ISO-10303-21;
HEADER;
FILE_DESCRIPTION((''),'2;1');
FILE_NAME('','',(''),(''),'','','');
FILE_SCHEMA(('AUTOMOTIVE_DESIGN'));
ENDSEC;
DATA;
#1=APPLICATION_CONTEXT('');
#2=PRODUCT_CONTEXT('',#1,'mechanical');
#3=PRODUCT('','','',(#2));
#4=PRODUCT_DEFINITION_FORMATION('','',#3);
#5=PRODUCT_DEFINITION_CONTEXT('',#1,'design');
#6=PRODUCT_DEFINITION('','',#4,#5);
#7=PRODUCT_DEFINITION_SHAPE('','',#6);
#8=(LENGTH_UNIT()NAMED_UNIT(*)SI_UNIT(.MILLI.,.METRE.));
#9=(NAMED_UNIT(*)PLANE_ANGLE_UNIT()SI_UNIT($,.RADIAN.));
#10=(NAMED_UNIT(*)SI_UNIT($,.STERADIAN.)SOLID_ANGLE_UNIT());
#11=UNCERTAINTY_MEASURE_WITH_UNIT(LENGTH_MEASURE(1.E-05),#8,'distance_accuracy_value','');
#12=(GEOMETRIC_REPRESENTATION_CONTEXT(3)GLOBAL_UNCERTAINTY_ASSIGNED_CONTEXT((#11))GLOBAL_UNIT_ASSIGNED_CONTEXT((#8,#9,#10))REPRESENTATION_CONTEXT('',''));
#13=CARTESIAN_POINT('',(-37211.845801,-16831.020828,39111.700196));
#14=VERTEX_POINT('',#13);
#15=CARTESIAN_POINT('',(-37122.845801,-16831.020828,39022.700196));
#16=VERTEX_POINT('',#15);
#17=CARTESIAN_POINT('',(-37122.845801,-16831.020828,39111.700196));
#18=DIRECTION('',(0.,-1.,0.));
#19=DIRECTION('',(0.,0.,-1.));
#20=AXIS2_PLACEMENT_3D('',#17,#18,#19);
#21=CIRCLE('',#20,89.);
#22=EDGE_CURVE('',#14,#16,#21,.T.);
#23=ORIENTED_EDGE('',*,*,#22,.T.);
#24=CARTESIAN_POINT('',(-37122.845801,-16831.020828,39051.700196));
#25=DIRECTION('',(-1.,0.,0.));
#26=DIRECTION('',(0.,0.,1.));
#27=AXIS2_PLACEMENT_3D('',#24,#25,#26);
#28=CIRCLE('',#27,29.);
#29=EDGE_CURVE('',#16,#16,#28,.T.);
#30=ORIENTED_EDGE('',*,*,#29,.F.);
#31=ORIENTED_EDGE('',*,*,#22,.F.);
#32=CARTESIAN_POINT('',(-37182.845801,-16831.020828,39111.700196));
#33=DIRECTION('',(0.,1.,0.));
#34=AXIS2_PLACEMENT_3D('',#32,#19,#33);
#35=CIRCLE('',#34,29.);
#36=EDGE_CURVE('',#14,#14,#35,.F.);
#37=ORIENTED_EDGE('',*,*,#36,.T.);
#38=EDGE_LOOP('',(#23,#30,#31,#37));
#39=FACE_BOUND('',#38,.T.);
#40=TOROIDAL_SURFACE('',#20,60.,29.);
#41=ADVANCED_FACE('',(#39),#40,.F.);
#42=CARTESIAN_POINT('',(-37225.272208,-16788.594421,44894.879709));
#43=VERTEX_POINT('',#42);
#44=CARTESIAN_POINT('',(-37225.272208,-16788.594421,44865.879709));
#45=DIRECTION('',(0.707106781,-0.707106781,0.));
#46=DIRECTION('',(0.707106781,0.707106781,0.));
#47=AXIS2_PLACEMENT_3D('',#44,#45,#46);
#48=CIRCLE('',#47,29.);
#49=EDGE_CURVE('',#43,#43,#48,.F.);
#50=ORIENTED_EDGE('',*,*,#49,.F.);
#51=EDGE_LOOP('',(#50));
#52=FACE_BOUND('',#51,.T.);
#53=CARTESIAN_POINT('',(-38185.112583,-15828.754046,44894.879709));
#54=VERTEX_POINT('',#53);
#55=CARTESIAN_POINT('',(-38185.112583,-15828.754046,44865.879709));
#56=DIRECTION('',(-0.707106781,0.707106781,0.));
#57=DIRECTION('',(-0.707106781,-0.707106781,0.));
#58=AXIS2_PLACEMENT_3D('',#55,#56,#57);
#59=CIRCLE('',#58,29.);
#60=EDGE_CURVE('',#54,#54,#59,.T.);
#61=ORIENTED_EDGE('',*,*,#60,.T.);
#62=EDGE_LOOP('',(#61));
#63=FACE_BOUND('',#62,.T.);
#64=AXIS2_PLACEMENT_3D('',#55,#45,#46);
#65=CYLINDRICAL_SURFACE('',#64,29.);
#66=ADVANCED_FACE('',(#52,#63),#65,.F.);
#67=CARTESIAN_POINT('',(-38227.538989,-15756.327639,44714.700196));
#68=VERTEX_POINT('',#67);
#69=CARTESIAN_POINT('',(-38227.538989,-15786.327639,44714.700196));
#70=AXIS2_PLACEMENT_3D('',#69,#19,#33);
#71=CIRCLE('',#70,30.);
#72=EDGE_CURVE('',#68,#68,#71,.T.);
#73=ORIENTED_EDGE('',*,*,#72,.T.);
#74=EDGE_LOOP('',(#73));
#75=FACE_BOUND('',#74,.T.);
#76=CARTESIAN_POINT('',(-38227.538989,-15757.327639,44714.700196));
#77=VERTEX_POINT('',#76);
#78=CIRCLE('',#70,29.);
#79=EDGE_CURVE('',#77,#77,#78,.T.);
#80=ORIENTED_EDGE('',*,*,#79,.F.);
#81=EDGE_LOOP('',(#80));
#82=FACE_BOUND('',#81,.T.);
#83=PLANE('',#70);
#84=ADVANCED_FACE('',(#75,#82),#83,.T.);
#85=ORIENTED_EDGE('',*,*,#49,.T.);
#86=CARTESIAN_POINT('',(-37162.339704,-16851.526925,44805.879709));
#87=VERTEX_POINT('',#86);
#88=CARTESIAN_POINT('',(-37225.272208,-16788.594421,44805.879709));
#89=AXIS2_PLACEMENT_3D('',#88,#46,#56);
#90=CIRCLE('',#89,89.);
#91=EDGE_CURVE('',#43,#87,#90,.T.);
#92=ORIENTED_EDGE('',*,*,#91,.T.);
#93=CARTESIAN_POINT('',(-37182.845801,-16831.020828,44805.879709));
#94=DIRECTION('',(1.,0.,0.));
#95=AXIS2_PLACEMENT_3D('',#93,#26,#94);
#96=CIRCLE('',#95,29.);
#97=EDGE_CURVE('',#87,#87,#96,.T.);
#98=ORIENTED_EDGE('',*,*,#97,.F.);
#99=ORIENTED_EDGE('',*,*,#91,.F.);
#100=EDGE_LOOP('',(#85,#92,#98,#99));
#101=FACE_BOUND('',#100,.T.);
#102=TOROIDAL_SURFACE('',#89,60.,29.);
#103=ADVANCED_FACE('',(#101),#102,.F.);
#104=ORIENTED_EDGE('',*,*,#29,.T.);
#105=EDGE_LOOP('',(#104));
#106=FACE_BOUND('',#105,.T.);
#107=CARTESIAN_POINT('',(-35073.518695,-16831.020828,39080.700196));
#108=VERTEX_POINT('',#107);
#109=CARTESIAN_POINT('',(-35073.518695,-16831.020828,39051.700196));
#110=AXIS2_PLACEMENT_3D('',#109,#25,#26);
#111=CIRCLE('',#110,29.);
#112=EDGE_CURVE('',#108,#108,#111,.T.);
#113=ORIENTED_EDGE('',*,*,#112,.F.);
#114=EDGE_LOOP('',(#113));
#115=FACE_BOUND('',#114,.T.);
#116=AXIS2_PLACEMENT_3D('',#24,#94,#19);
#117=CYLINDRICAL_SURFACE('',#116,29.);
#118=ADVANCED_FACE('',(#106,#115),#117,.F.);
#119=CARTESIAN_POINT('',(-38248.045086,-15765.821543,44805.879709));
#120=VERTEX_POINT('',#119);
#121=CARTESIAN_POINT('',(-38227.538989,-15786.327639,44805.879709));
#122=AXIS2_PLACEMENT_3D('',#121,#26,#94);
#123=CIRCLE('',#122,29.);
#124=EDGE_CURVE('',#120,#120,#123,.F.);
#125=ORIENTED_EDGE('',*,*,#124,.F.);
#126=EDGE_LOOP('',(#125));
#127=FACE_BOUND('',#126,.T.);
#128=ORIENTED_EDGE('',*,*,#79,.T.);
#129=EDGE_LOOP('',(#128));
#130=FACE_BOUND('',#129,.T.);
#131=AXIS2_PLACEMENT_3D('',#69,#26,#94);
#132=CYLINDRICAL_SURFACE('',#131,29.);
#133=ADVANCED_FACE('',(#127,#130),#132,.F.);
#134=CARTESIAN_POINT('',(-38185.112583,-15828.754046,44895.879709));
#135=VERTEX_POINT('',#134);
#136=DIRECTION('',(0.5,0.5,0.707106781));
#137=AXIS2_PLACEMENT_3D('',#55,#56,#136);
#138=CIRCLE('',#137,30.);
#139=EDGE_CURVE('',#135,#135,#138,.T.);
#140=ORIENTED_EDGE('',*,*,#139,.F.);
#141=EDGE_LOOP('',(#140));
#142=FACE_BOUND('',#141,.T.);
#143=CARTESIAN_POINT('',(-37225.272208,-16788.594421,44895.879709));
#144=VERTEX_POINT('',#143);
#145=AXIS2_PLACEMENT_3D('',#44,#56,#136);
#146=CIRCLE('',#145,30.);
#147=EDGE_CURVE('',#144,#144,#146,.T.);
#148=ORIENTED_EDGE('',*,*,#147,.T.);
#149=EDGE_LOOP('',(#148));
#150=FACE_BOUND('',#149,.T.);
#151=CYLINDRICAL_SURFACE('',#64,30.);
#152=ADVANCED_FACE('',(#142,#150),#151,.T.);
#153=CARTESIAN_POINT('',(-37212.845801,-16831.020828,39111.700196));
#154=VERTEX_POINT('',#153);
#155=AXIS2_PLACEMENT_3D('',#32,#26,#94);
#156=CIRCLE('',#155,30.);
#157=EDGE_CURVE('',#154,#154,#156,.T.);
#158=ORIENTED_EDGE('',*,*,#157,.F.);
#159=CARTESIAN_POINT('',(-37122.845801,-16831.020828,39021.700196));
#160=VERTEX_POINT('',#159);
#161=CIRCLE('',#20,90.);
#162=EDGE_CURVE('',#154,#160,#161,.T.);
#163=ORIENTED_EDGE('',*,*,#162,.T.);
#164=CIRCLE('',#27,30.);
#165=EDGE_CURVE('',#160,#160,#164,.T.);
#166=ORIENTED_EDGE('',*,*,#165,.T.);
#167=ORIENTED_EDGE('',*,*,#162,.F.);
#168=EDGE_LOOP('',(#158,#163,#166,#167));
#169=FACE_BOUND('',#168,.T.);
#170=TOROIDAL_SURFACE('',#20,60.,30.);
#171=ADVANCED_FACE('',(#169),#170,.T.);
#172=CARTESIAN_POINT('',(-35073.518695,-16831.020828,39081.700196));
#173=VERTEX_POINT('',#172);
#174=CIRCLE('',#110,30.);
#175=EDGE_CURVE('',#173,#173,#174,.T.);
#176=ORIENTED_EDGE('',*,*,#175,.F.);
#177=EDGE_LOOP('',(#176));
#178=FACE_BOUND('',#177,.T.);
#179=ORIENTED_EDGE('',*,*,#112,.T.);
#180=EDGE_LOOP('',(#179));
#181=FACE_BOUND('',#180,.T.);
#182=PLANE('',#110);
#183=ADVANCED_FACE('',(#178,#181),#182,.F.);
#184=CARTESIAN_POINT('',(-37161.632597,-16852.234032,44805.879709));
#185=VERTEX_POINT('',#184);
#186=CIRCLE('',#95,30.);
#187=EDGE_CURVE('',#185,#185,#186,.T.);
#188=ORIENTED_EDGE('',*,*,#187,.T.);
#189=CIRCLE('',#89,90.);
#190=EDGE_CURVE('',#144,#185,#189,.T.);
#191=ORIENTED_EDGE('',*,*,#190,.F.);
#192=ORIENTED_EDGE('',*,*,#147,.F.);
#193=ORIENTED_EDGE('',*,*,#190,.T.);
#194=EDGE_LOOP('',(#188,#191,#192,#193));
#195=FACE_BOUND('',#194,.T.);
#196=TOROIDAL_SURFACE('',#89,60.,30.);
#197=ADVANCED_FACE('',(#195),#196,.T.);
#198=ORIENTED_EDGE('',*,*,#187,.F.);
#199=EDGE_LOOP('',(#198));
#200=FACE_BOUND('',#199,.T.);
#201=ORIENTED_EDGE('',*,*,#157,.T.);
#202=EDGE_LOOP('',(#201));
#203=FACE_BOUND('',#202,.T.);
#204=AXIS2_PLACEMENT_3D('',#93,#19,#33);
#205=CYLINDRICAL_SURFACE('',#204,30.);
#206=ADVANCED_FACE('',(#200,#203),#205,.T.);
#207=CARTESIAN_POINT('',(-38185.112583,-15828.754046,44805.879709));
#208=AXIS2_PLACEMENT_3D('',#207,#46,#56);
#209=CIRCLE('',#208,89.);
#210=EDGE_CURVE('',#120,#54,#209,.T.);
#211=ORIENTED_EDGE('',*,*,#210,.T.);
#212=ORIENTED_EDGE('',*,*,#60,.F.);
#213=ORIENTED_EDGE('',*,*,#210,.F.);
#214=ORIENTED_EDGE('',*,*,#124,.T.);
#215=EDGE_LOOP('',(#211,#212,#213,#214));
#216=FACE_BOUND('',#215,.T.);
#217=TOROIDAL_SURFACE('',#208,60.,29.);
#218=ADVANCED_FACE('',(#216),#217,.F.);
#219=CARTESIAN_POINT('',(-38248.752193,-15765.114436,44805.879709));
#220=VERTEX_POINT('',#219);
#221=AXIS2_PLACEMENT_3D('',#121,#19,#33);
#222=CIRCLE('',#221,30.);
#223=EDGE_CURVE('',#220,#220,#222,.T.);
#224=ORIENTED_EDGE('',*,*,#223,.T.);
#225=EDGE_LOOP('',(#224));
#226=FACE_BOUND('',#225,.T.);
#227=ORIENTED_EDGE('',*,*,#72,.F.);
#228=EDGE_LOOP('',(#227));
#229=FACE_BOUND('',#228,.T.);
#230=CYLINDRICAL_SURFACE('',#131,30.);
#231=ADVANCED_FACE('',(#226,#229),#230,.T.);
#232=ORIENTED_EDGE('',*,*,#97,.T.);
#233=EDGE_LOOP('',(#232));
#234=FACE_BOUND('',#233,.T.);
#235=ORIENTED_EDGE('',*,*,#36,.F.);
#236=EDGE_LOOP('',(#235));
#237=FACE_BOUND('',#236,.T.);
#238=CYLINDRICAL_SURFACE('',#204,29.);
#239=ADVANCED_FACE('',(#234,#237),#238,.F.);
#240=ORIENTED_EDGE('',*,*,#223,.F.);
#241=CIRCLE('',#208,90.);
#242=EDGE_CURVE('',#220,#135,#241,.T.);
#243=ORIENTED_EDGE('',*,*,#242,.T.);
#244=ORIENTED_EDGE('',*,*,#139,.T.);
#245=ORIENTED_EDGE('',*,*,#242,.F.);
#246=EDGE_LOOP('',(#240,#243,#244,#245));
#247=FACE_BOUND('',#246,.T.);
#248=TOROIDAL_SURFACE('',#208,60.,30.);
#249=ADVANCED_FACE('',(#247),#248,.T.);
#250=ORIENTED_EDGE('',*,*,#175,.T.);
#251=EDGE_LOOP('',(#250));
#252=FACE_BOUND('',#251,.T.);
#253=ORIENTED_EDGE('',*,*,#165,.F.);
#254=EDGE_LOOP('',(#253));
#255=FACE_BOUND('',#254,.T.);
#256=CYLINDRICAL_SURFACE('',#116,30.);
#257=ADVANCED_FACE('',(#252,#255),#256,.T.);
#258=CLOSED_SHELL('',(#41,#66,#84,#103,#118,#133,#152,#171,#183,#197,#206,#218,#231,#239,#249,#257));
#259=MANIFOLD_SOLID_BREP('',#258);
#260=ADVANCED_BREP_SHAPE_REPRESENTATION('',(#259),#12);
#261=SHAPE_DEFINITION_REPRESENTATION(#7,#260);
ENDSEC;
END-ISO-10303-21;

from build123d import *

# Parameters (mm, degrees)
SWEEP_THIN1_PROFILE_R   = 30
SWEEP_THIN1_PROFILE_R_2 = 29


with BuildPart() as part:
    # Sweep-Thin1: sweep along a curve in space
    with BuildLine() as sweep_thin1_path:
        Line((-38227.538989442, -15786.327639419, 44714.700196057), (-38227.538989442, -15786.327639419, 44805.879708995))
        ThreePointArc((-38185.112582571, -15828.75404629, 44865.879708995), (-38215.112582571, -15798.75404629, 44848.306115867), (-38227.538989442, -15786.327639419, 44805.879708995))
        Line((-37225.272207615, -16788.594421246, 44865.879708995), (-38185.112582571, -15828.75404629, 44865.879708995))
        ThreePointArc((-37182.845800744, -16831.020828117, 44805.879708995), (-37195.272207615, -16818.594421246, 44848.306115867), (-37225.272207615, -16788.594421246, 44865.879708995))
        Line((-37182.845800744, -16831.020828117, 44805.879708995), (-37182.845800744, -16831.020828117, 39111.700196057))
        ThreePointArc((-37122.845800744, -16831.020828117, 39051.700196057), (-37165.272207615, -16831.020828117, 39069.273789186), (-37182.845800744, -16831.020828117, 39111.700196057))
        Line((-37122.845800744, -16831.020828117, 39051.700196057), (-35073.51869548, -16831.020828117, 39051.700196057))
    # Sweep-Thin1 profile (on start of the path) → Sweep-Thin1 (sweep)
    with BuildSketch(Plane(origin=(-38227.538989442, -15786.327639419, 44714.700196057), x_dir=(1, 0, 0), z_dir=(0, 0, 1))):
        Circle(SWEEP_THIN1_PROFILE_R)
        Circle(SWEEP_THIN1_PROFILE_R_2, mode=Mode.SUBTRACT)
    sweep(path=sweep_thin1_path.line)


solid = part.part
